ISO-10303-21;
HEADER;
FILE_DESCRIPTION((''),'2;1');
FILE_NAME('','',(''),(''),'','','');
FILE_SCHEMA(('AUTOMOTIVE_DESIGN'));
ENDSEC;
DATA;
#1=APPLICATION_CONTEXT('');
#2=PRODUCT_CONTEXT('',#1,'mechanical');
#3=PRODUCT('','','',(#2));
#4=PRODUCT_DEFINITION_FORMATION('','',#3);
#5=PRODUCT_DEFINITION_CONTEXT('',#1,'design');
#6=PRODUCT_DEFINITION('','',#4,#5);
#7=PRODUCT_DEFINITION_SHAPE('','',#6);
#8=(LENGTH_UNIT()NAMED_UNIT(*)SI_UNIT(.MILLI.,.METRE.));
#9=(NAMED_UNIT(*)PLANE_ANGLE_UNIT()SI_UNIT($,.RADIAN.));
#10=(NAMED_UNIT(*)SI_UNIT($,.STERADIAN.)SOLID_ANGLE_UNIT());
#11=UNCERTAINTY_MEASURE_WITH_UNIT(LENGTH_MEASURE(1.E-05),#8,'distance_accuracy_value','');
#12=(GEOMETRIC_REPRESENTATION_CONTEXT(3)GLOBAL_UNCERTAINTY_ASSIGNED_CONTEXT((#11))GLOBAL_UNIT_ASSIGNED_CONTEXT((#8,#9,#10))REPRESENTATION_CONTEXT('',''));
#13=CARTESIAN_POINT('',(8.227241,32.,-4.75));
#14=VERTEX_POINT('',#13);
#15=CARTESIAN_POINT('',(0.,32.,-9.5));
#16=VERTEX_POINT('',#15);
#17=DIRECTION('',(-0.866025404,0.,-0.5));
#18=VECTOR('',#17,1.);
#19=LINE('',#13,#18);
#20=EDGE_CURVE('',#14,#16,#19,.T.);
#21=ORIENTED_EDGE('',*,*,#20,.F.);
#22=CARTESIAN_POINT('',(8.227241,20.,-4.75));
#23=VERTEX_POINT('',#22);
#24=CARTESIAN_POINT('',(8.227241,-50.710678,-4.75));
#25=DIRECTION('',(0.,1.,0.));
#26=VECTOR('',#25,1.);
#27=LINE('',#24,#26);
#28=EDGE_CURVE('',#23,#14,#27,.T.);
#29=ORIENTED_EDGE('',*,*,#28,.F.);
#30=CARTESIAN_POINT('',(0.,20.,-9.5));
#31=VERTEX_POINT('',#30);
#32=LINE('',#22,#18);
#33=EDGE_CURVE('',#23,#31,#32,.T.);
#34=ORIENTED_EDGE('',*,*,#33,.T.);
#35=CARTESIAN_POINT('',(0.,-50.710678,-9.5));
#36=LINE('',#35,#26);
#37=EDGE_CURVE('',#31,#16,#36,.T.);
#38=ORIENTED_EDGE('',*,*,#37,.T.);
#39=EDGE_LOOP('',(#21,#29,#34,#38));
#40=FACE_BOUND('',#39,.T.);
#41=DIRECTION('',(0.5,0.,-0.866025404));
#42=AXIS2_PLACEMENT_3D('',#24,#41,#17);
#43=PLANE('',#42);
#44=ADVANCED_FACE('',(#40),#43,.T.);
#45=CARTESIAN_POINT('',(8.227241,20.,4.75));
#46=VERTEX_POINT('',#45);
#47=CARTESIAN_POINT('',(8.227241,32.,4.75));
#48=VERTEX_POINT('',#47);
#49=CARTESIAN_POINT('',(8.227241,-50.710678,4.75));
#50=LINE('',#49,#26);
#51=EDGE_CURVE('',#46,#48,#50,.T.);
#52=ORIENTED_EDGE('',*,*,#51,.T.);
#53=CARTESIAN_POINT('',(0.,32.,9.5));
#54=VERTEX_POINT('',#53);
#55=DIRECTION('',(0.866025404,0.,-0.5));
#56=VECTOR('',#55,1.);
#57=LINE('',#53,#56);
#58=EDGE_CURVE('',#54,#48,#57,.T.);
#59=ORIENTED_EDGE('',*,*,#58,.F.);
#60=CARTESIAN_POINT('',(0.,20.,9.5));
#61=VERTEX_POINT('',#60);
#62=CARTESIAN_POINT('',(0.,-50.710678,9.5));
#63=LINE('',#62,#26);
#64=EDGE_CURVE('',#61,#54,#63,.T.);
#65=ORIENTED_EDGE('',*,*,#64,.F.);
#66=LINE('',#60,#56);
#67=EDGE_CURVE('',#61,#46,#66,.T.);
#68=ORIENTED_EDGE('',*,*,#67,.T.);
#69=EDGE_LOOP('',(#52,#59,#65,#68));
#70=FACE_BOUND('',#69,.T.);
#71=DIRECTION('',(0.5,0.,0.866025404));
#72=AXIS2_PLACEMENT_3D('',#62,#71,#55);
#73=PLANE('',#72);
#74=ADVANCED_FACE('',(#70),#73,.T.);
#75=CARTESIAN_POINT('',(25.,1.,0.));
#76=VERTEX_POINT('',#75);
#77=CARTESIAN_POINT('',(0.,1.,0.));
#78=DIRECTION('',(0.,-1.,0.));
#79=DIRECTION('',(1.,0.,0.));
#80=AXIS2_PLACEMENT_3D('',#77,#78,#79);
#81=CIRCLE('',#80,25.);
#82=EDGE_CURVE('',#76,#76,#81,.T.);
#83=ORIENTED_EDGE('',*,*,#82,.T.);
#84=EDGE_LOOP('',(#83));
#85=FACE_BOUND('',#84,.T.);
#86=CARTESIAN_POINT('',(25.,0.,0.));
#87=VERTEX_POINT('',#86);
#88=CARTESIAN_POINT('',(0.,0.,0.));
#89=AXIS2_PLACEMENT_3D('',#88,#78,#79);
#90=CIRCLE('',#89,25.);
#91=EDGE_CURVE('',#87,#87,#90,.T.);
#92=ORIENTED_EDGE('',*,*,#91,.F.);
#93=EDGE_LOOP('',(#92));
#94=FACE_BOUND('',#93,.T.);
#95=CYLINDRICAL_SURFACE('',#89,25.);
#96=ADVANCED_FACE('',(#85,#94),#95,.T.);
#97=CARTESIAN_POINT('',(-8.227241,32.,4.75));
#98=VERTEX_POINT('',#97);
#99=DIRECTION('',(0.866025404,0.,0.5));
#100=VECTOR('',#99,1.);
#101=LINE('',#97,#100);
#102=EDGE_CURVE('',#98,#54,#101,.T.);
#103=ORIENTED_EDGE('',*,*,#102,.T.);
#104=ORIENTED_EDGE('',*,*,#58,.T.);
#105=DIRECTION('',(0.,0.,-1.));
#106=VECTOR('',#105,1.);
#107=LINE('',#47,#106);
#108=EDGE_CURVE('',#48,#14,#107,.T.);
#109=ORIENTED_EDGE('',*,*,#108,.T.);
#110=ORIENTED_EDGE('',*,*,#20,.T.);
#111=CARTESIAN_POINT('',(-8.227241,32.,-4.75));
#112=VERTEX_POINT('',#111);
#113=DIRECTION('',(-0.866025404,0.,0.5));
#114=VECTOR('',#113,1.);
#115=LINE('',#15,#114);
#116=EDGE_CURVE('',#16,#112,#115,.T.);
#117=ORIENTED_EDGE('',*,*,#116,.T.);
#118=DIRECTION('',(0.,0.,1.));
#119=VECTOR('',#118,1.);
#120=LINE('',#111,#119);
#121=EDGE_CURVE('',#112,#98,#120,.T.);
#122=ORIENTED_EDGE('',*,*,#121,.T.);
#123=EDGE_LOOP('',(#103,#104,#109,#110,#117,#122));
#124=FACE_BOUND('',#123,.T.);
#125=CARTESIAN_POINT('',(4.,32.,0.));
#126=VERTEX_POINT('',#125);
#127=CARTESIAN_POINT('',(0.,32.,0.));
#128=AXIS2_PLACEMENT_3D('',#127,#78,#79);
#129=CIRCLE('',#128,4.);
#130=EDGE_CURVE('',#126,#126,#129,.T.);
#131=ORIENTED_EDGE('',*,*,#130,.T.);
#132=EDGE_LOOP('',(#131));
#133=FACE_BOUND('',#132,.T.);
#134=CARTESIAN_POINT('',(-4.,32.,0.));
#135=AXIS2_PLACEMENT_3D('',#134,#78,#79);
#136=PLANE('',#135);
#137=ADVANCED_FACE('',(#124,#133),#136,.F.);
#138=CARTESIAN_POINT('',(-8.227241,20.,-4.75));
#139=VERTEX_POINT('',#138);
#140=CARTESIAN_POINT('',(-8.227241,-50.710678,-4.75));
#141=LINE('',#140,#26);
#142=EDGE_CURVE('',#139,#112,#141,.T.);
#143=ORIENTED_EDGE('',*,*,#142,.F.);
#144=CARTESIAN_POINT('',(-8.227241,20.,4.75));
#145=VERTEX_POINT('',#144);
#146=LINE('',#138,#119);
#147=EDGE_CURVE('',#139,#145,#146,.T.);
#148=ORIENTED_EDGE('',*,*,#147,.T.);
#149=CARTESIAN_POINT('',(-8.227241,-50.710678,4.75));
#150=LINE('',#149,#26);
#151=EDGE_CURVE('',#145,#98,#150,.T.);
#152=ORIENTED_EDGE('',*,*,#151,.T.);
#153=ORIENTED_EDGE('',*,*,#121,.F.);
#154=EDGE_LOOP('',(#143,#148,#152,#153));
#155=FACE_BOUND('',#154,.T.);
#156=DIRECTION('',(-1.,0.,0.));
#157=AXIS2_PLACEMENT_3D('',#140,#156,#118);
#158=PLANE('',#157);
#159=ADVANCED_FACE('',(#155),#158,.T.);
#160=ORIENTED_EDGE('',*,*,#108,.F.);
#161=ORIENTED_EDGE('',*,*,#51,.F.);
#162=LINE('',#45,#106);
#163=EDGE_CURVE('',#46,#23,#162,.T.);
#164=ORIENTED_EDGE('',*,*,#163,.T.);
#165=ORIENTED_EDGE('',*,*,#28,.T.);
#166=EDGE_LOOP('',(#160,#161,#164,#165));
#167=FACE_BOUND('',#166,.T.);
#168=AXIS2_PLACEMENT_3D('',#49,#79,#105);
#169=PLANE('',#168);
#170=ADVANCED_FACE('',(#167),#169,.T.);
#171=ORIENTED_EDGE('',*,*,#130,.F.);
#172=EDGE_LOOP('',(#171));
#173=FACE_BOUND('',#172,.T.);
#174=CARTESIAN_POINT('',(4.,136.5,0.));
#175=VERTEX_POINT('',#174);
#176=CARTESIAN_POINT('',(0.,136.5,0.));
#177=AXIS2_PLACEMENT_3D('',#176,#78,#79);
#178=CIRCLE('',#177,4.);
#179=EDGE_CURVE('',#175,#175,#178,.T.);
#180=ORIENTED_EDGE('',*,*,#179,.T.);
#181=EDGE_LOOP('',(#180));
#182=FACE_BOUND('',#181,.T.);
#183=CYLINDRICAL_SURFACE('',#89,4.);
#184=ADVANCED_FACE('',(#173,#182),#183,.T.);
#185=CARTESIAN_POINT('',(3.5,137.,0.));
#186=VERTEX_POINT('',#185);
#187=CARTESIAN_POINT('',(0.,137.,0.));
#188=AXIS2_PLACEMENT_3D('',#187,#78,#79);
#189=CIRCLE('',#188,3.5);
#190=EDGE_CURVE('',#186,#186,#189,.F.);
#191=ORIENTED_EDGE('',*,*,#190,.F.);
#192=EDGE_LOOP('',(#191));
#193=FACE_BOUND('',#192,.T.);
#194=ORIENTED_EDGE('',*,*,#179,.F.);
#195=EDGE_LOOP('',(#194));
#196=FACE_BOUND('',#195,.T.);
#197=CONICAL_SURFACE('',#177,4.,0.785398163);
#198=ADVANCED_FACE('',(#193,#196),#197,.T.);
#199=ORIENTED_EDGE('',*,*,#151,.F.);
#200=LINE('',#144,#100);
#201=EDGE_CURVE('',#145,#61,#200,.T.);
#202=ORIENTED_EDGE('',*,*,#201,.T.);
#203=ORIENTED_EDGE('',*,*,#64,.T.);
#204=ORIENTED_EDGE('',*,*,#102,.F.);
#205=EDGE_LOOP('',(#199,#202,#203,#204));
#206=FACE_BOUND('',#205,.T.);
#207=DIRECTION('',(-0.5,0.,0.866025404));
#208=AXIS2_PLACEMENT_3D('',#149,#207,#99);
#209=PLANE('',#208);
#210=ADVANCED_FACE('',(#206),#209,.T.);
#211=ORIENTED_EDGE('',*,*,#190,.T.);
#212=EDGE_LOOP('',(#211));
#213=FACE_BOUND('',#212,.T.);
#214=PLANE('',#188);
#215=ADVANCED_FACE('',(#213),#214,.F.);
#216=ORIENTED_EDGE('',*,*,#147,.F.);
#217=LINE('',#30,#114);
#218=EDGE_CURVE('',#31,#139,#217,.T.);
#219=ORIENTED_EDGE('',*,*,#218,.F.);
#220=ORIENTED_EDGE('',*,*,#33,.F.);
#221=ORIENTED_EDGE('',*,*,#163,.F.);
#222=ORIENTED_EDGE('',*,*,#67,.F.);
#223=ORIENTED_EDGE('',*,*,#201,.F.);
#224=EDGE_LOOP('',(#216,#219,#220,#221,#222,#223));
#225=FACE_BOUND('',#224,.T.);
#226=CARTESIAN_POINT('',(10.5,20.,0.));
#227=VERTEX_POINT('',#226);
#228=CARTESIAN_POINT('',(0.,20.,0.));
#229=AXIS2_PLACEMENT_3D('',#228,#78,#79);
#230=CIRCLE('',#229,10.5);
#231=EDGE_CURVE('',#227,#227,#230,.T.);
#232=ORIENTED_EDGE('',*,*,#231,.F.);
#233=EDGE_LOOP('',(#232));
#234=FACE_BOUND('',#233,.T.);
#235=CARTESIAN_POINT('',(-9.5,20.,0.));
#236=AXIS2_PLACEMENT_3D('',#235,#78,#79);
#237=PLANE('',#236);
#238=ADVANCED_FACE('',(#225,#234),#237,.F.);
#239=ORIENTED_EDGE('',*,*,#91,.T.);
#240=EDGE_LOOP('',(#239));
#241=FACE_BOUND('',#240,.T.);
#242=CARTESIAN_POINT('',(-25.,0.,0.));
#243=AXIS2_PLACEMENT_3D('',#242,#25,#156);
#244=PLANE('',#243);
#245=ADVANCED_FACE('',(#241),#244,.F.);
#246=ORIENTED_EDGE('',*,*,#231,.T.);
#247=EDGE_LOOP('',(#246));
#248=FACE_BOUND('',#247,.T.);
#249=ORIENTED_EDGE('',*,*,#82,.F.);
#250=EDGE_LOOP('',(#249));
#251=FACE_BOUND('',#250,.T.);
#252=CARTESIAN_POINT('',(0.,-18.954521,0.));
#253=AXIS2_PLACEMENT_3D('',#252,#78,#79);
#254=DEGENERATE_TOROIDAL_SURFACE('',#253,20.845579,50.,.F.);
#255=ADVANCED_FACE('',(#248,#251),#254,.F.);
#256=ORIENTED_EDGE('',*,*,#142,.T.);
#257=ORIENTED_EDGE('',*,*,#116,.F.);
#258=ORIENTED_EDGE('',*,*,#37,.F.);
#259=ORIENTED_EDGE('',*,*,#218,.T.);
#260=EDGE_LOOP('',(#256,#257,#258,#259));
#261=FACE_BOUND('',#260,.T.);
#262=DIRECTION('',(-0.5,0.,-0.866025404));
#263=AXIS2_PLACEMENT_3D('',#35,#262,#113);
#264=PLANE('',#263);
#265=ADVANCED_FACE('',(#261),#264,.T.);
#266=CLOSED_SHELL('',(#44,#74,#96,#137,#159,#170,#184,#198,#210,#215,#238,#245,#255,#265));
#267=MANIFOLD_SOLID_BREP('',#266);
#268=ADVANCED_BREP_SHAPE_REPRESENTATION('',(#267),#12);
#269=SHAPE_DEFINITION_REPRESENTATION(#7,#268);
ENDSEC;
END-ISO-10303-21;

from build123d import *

# Parameters (mm, degrees)
CHAMFER_1_SIZE      = 0.5
SKETCH_3_R          = 25
CUT_EXTRUDE_1_DEPTH = 12


with BuildPart() as part:
    # Эскиз1 → Повернуть1 (revolve)
    with BuildSketch(Plane.XY, mode=Mode.PRIVATE) as revolve_1_sk:
        with BuildLine():
            Line((0, 137), (-4, 137))
            Line((-4, 137), (-4, 32))
            Line((-4, 32), (-9.5, 32))
            Line((-9.5, 32), (-9.5, 20))
            Line((-9.5, 20), (-10.5, 20))
            ThreePointArc((-10.5, 20), (-18.901983424, 11.379145244), (-25, 1))
            Line((-25, 1), (-25, 0))
            Line((-25, 0), (0, 0))
            Line((0, 0), (0, 137))
        make_face()
    revolve(revolve_1_sk.sketch.rotate(Axis((0, 0, 0), (0, 1, 0)), 180), axis=Axis((0, 0, 0), (0, 1, 0)))  # turned: the seam where the file's is

    # Фаска1
    chamfer_1_edges = [part.edges().sort_by_distance(p)[0] for p in [
        (-4, 137, 0),
    ]]
    chamfer(chamfer_1_edges, length=CHAMFER_1_SIZE)

    # Эскиз3 → Вырез-Вытянуть1 (cut)
    with BuildSketch(Plane(origin=(0, 32, 0), x_dir=(1, 0, 0), z_dir=(0, 1, 0))):
        Circle(SKETCH_3_R)
        Polygon((0, 9.5), (-8.227241336, 4.75), (-8.227241336, -4.75), (0, -9.5), (8.227241336, -4.75), (8.227241336, 4.75), align=None, mode=Mode.SUBTRACT)
    extrude(amount=-CUT_EXTRUDE_1_DEPTH, mode=Mode.SUBTRACT)


solid = part.part
